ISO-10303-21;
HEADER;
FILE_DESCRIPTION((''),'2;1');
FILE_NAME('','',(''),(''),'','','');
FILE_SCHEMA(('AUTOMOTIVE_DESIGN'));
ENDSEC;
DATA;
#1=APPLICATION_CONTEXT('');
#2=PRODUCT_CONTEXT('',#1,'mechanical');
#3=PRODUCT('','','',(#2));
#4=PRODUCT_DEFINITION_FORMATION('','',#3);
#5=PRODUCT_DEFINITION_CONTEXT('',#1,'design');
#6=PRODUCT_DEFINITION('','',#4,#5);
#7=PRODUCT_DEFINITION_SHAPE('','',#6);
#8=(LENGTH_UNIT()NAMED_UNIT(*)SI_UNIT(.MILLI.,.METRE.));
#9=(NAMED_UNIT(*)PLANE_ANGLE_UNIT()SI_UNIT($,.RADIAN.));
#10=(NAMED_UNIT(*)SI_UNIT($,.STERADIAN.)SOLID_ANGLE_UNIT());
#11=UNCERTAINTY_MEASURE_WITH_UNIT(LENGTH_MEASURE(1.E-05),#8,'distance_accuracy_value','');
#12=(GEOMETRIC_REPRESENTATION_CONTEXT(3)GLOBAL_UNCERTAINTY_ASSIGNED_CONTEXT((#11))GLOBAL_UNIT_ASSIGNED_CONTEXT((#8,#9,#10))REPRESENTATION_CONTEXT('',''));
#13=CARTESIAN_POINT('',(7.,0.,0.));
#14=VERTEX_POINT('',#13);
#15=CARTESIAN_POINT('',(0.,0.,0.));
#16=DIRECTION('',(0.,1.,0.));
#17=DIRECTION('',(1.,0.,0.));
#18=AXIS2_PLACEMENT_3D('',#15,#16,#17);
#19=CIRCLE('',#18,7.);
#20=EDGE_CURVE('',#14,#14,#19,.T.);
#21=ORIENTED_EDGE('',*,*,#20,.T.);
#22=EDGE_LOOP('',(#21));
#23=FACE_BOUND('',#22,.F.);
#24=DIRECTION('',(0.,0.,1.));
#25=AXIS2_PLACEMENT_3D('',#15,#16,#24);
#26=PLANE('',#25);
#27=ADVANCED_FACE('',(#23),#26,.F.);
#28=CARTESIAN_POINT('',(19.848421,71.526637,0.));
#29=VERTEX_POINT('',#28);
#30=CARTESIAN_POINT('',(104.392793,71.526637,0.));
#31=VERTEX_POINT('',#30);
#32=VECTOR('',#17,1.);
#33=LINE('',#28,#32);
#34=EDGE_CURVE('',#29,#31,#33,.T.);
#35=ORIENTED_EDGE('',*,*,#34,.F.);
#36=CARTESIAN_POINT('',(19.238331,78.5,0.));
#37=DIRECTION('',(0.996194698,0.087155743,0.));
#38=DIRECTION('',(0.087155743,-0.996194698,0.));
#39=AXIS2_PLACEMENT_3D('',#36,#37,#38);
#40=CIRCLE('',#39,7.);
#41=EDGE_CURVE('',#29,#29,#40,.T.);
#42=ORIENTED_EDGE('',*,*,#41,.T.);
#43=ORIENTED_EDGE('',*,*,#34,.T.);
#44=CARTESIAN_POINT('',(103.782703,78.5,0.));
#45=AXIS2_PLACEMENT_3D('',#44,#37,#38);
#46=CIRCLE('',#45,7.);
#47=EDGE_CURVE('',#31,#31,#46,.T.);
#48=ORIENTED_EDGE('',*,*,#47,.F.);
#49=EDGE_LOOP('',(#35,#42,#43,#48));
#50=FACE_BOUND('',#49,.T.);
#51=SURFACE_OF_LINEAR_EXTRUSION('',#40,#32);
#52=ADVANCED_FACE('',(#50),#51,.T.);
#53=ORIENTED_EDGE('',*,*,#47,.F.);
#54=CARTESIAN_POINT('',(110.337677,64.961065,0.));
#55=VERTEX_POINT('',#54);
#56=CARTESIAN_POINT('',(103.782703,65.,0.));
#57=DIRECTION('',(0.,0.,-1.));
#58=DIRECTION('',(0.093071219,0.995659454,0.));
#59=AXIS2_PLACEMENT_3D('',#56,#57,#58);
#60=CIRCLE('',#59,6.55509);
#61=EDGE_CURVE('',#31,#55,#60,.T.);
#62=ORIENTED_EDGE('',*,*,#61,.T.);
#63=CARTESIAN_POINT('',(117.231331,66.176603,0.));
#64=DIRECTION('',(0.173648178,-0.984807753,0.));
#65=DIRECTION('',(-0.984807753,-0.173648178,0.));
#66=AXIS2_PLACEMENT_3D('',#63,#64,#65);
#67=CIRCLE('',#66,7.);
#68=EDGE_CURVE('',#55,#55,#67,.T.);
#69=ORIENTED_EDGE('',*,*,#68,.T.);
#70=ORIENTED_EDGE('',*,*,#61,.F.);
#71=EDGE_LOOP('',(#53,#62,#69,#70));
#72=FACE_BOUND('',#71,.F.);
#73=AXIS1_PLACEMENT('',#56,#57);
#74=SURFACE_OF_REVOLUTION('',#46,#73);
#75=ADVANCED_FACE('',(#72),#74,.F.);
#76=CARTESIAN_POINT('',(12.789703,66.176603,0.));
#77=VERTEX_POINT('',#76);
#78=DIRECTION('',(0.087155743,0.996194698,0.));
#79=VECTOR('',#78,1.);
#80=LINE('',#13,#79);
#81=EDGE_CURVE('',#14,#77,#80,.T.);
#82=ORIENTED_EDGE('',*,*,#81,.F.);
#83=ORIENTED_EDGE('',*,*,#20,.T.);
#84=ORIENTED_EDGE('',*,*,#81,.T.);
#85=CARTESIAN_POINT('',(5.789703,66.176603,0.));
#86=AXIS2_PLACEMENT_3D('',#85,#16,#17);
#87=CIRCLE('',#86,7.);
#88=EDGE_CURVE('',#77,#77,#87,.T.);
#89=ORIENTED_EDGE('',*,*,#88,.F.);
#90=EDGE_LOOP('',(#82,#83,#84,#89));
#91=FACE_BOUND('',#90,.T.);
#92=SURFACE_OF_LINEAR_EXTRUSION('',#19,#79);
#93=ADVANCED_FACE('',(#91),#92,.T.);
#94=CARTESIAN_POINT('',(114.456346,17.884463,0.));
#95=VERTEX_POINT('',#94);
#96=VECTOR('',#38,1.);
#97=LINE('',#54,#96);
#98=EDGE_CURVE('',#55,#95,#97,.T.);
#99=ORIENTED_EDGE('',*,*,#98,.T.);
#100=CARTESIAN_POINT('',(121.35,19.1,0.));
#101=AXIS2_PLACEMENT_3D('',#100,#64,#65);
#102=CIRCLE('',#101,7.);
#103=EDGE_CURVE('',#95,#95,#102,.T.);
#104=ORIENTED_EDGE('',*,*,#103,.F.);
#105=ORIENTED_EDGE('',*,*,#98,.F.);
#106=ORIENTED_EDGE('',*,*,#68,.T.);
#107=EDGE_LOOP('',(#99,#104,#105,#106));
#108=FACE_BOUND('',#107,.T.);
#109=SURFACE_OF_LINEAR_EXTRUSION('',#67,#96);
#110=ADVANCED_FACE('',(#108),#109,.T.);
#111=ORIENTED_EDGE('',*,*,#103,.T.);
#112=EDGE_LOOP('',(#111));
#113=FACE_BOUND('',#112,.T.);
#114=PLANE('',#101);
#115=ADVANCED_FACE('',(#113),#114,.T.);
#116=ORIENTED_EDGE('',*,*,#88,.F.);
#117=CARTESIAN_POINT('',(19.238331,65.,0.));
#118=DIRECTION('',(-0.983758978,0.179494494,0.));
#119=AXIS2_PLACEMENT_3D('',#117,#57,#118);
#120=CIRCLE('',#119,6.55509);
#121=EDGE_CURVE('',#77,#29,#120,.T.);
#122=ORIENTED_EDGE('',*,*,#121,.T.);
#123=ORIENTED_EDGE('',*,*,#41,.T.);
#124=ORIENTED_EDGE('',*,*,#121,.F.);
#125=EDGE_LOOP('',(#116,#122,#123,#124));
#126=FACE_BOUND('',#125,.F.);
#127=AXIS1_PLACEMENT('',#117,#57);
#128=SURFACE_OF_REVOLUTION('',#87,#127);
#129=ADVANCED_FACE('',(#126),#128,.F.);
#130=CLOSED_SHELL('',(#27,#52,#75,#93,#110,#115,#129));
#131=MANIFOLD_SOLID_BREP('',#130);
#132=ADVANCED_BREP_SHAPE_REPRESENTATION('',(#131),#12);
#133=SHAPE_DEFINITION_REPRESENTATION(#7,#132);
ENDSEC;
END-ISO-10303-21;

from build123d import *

# Parameters (mm, degrees)
PATH_R = 7


with BuildPart() as part:
    # Cam Handle: sweep along a path in Circle
    with BuildLine(Plane.XY) as cam_handle_path:
        Line((0, 0), (5.789702512, 66.176602527))
        ThreePointArc((5.789702512, 66.176602527), (10.117863133, 74.953244047), (19.238330936, 78.5))
        Line((19.238330936, 78.5), (103.782702537, 78.5))
        ThreePointArc((103.782702537, 78.5), (112.90317034, 74.953244047), (117.231330962, 66.176602527))
        Line((117.231330962, 66.176602527), (121.35, 19.1))
    # Path → Cam Handle (sweep)
    with BuildSketch(Plane(origin=(0, 0, 0), x_dir=(1, 0, 0), z_dir=(0, 1, 0))):
        Circle(PATH_R)
    sweep(path=cam_handle_path.line)


solid = part.part
